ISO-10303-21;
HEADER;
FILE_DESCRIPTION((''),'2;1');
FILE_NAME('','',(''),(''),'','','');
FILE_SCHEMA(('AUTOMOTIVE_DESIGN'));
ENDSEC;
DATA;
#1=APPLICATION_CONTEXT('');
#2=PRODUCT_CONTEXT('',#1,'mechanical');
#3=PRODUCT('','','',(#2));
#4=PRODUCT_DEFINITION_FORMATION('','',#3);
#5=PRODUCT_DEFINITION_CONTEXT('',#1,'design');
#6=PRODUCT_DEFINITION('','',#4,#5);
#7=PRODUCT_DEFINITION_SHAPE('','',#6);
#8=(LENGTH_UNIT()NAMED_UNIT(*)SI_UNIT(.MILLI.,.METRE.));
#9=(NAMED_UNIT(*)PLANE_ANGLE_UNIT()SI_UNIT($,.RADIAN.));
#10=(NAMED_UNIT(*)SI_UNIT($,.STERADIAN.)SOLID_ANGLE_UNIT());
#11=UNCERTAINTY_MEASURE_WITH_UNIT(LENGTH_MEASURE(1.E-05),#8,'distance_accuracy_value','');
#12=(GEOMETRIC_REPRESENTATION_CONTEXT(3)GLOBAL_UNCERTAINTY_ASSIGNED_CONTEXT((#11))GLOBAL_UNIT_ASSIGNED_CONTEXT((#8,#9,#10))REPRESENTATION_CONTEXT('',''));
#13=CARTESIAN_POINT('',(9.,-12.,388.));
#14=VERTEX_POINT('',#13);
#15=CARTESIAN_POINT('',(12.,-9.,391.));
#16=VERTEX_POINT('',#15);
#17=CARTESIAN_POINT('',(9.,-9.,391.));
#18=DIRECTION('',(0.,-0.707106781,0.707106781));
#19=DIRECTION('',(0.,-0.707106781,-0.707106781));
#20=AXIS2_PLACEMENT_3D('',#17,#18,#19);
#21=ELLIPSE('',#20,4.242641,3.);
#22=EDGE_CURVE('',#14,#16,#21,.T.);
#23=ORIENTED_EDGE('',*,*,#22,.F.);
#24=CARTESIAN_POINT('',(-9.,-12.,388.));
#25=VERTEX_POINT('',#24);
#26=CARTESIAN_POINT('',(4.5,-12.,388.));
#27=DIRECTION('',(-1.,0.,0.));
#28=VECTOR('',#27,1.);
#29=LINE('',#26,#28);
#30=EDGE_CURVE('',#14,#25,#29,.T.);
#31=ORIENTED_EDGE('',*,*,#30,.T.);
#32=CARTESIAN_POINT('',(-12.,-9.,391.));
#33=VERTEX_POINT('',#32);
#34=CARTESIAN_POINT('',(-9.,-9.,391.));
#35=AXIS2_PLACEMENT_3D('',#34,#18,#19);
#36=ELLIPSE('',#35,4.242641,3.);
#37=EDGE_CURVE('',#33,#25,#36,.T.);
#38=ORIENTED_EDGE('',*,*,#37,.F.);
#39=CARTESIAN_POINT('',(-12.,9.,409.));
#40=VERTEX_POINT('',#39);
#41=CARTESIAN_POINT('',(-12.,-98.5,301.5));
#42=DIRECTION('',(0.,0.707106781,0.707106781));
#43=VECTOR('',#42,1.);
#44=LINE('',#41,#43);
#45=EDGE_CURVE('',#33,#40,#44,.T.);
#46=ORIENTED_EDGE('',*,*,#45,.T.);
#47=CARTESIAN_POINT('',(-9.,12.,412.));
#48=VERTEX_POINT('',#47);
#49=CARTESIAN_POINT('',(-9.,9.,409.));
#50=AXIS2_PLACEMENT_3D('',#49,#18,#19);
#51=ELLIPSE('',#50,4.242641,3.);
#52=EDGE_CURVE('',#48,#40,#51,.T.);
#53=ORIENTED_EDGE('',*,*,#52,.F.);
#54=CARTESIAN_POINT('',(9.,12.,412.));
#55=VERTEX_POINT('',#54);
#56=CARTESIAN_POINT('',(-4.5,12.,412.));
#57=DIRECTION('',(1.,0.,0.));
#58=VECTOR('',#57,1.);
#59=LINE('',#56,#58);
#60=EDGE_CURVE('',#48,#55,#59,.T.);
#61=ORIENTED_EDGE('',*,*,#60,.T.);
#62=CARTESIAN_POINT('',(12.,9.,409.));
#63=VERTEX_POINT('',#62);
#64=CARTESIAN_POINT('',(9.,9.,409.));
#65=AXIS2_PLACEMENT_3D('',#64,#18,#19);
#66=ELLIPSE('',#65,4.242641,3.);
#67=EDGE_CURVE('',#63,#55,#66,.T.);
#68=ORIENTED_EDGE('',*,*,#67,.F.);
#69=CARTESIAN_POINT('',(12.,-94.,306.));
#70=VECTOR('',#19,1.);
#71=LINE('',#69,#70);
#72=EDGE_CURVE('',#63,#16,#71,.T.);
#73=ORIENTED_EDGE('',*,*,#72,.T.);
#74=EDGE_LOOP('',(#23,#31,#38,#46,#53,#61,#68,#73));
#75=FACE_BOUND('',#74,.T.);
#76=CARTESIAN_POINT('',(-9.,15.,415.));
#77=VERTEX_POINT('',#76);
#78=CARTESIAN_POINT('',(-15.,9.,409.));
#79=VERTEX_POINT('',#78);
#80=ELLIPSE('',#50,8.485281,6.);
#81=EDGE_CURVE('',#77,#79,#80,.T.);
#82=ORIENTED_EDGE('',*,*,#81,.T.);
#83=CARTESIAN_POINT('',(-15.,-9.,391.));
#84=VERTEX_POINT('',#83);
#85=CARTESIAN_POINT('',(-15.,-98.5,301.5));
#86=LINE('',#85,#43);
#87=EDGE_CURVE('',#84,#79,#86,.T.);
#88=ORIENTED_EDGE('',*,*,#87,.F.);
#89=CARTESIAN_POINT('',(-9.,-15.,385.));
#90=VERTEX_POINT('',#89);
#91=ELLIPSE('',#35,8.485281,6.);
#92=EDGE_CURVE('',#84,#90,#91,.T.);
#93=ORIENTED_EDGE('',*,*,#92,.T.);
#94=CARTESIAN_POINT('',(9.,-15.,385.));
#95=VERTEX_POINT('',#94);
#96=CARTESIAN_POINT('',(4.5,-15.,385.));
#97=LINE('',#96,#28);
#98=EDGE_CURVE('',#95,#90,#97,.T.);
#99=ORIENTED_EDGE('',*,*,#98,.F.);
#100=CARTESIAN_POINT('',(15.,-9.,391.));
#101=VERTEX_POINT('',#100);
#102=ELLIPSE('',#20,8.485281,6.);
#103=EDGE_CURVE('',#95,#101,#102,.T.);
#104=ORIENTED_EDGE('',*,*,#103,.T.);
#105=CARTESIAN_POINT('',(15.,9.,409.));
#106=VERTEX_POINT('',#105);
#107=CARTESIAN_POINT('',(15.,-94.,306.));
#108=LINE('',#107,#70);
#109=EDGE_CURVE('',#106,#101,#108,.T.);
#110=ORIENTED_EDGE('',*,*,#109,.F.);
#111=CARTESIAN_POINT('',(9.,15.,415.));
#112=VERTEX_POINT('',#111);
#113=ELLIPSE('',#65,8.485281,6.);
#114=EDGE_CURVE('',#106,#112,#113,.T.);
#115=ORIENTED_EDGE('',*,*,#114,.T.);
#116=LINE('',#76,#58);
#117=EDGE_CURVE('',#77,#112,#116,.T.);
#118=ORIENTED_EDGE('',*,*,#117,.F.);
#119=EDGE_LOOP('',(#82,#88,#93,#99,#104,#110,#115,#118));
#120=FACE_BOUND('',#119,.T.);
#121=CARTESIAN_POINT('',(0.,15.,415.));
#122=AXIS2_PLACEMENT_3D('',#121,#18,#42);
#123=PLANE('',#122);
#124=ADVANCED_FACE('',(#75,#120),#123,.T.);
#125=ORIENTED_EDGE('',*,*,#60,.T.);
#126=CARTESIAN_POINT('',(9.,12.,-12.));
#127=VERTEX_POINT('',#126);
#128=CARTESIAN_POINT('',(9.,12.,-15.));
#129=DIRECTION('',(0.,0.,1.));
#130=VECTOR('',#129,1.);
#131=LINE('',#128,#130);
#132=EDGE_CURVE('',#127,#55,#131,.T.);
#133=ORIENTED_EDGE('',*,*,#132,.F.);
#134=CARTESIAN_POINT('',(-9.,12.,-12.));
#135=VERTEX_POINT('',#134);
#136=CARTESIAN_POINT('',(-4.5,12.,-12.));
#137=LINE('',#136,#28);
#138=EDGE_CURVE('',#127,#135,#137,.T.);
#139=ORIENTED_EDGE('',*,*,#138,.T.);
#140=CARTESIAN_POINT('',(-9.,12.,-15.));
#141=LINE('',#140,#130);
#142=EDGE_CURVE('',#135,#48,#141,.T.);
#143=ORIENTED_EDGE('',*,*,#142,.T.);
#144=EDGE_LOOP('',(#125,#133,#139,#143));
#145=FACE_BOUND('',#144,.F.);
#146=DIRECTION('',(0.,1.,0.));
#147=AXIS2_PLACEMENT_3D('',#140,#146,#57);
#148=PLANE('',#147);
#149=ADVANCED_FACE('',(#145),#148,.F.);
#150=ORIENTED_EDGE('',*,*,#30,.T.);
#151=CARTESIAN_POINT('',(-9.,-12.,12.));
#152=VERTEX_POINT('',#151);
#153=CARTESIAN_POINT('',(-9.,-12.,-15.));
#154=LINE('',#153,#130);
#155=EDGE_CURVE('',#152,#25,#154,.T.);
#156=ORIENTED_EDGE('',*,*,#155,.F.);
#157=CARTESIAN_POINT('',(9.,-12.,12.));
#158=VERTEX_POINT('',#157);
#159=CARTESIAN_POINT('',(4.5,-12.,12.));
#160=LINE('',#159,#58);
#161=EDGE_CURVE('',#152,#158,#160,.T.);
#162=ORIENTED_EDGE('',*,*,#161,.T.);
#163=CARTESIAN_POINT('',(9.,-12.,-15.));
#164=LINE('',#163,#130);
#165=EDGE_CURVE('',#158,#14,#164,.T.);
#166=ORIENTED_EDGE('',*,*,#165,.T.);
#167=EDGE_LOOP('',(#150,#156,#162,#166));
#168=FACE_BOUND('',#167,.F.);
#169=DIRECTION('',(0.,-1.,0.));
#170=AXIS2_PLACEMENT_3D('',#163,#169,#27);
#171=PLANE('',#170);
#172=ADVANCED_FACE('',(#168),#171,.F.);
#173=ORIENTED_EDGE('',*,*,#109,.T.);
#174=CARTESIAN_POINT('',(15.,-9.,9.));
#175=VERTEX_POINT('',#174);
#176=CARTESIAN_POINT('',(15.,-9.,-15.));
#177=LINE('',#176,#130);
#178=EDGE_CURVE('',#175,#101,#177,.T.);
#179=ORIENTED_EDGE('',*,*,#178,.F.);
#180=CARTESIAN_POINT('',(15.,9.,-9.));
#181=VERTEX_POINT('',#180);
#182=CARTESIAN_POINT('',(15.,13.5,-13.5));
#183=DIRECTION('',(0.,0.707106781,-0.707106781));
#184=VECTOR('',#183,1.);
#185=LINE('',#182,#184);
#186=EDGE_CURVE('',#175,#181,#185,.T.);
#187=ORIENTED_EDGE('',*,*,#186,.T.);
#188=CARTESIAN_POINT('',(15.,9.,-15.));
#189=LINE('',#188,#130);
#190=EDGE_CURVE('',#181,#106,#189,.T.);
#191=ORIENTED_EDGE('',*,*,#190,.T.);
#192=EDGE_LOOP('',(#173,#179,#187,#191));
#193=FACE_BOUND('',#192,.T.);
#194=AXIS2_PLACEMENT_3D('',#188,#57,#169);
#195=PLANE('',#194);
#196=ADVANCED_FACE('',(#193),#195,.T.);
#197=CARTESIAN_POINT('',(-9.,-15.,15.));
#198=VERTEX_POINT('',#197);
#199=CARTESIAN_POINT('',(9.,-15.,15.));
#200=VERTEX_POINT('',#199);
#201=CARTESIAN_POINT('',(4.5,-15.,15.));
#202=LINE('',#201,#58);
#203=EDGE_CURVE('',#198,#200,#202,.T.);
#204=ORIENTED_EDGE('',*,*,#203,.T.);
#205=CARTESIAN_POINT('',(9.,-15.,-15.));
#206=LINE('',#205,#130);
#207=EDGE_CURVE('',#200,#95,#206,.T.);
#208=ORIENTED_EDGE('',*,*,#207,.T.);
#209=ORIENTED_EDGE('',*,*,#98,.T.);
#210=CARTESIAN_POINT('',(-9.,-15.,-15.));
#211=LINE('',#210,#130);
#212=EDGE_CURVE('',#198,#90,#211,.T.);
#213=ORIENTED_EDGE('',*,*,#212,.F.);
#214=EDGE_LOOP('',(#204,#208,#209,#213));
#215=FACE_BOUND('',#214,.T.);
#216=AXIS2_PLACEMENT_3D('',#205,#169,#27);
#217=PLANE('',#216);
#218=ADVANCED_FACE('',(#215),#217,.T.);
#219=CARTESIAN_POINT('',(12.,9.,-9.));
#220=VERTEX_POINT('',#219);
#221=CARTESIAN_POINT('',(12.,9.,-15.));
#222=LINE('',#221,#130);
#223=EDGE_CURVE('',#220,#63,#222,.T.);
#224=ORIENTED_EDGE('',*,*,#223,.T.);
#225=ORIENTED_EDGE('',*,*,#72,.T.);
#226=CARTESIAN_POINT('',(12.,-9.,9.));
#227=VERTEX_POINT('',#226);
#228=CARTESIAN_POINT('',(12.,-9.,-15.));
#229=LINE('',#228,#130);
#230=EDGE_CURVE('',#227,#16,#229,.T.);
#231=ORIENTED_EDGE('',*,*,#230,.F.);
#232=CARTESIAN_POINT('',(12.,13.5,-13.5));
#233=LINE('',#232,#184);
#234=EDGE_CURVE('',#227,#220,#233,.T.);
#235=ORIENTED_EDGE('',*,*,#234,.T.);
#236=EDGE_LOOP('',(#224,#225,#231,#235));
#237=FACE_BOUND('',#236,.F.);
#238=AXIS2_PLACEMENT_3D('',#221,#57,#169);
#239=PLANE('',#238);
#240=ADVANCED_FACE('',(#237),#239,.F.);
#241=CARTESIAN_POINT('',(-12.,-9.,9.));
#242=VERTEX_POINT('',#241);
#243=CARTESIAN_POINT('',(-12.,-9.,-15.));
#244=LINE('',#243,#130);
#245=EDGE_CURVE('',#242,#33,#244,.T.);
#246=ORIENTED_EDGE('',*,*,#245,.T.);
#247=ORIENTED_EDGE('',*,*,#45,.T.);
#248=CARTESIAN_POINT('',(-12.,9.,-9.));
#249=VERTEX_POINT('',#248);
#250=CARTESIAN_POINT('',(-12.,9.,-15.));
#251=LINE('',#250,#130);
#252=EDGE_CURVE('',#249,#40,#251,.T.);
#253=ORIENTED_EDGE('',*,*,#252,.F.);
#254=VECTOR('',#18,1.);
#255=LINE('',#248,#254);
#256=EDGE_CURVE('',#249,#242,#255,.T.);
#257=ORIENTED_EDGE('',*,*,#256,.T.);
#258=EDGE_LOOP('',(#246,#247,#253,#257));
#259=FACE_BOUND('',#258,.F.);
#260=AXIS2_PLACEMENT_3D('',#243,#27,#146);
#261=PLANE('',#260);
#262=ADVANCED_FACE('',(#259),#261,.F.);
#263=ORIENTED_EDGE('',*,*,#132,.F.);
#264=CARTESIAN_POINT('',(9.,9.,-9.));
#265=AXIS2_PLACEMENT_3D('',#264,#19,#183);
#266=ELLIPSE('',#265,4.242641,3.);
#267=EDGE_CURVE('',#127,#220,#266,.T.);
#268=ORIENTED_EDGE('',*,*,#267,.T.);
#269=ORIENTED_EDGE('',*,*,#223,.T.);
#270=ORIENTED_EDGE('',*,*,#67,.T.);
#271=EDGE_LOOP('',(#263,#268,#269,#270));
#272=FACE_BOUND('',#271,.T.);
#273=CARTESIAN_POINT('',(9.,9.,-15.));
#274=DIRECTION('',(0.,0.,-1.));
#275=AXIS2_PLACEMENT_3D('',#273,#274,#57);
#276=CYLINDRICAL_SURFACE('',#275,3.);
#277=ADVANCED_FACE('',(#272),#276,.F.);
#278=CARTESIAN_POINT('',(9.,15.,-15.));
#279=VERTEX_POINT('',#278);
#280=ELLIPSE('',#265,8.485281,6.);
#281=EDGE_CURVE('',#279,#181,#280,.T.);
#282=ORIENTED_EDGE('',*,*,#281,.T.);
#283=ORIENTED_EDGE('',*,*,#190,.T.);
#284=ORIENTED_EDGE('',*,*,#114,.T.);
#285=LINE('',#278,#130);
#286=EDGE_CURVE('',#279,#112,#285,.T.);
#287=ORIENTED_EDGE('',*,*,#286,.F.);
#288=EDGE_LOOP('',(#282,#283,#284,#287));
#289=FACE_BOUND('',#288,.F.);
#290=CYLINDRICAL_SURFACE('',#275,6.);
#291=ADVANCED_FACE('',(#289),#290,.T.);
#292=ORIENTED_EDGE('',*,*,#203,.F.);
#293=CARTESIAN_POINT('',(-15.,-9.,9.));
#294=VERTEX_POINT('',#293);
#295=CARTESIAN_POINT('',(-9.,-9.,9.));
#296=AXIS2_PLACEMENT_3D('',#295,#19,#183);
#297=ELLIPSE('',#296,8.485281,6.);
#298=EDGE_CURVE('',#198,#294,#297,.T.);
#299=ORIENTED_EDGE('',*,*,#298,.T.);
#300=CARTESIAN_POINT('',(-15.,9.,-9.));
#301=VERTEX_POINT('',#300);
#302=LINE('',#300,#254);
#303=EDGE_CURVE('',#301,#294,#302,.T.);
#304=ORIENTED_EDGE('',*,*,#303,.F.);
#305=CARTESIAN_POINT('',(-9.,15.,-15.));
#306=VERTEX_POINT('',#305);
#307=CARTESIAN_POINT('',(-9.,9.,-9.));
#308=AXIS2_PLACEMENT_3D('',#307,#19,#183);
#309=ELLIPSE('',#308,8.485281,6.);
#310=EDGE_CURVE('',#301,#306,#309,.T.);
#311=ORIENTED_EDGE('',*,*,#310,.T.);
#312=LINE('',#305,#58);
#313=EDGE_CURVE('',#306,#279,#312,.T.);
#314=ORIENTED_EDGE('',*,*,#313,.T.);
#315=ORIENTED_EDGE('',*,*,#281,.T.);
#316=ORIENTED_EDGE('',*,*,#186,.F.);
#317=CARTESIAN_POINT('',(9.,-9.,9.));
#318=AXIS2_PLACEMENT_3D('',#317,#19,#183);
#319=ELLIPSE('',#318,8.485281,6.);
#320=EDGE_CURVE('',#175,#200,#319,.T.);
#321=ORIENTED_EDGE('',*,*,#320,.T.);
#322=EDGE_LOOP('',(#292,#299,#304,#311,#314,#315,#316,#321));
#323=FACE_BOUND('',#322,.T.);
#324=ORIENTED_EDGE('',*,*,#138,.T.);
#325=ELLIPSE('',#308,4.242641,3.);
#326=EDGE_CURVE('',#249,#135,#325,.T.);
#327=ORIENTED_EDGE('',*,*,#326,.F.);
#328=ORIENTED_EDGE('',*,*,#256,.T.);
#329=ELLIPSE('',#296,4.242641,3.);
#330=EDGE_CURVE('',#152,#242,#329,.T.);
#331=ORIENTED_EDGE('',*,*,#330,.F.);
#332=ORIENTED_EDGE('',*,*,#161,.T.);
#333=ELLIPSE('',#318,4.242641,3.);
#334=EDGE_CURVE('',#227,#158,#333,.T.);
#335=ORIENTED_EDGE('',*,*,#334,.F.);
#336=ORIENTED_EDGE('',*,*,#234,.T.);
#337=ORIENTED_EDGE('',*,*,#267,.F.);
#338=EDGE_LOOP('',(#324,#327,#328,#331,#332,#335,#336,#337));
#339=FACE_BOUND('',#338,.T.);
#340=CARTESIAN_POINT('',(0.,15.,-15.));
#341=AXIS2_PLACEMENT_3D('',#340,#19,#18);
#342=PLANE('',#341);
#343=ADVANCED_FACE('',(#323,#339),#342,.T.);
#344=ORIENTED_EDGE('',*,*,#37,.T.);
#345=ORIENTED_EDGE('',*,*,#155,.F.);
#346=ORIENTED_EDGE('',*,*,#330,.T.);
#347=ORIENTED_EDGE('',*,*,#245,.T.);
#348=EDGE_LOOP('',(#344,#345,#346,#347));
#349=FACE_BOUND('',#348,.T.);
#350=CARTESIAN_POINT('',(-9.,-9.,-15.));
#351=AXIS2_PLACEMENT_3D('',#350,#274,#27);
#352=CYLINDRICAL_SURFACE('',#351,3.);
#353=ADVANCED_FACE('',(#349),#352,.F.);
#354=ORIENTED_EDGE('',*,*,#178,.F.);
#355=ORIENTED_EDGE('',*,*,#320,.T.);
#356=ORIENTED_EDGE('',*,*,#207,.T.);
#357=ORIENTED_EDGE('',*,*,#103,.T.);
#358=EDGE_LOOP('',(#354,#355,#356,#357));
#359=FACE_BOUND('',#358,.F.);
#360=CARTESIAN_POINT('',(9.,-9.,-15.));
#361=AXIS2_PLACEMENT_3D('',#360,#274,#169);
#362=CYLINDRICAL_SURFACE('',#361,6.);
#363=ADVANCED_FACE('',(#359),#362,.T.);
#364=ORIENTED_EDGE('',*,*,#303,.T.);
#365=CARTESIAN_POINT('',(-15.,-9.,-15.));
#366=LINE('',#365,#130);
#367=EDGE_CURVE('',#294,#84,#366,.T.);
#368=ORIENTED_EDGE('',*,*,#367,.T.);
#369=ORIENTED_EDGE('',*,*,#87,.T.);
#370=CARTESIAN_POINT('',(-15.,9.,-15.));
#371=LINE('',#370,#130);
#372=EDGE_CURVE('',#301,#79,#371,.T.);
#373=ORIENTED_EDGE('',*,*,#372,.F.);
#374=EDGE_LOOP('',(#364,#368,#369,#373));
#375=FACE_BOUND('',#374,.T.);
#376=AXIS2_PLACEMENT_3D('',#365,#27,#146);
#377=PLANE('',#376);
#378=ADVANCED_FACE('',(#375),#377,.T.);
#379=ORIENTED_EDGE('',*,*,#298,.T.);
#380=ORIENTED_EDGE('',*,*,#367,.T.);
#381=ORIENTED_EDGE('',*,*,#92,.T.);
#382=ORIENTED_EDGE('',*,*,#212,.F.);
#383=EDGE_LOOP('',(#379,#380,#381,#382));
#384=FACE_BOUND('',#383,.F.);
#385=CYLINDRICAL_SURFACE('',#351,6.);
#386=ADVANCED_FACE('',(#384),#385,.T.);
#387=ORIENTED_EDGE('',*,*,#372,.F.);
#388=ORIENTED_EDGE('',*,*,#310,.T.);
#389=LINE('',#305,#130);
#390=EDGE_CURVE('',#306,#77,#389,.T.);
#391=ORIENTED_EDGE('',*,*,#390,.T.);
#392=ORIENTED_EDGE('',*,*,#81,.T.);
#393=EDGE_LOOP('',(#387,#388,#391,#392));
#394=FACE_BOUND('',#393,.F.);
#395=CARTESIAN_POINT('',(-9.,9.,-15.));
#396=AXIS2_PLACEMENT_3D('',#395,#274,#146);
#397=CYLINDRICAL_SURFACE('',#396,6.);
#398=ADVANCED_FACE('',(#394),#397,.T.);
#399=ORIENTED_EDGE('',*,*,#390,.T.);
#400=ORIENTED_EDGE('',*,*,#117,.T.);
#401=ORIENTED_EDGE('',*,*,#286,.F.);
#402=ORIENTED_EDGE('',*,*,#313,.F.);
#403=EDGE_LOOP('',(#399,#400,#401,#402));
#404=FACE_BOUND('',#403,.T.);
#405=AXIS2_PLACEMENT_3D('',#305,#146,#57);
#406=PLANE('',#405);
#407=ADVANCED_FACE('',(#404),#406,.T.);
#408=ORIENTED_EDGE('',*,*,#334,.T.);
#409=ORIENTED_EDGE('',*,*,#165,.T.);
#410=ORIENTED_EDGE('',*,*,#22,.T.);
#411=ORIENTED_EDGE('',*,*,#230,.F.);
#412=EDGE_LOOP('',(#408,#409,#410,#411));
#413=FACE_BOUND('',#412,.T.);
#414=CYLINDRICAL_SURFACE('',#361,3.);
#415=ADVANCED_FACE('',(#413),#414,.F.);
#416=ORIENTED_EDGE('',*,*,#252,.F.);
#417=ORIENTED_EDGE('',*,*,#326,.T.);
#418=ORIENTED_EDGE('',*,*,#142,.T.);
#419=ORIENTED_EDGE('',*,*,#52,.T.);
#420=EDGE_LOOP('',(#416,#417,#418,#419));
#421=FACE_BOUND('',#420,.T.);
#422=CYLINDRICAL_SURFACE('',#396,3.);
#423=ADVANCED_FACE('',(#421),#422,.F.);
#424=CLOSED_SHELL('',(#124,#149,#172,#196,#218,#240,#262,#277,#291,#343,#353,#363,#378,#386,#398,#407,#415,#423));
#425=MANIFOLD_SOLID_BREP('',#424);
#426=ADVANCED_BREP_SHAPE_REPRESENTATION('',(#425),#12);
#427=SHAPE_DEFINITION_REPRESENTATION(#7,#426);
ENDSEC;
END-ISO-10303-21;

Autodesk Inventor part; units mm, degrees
ref_plane "Start Plane" through (0, 0, -15) normal (0, 0, 1) x (1, 0, 0)
ref_plane "End Plane" through (0, 0, 415) normal (0, 0, 1) x (1, 0, 0)
sketch "Sketch" plane through (0, 0, 0) normal (0, 0, 1) x (1, 0, 0)
  line L0 (-15, -9) -> (-15, 9)
  line L1 (-9, 15) -> (9, 15)
  line L2 (15, 9) -> (15, -9)
  line L3 (9, -15) -> (-9, -15)
  arc A0 (-15, -9) -> (-9, -15) centre (-9, -9) ccw
  arc A1 (-9, 15) -> (-15, 9) centre (-9, 9) ccw
  arc A2 (15, 9) -> (9, 15) centre (9, 9) ccw
  arc A3 (9, -15) -> (15, -9) centre (9, -9) ccw
  arc A4 (-9, 12) -> (-12, 9) centre (-9, 9) ccw
  line L4 (-9, 12) -> (9, 12)
  arc A5 (12, 9) -> (9, 12) centre (9, 9) ccw
  line L5 (12, 9) -> (12, -9)
  arc A6 (9, -12) -> (12, -9) centre (9, -9) ccw
  line L6 (9, -12) -> (-9, -12)
  arc A7 (-12, -9) -> (-9, -12) centre (-9, -9) ccw
  line L7 (-12, -9) -> (-12, 9)
  line L8 (0, 22.7397) -> (0, -22.7397) construction
  line L9 (-22.7397, 0) -> (22.7397, 0) construction
  dimension "d7" = 6
  dimension "d10" = 30
  dimension "d11" = 30
  dimension "d12" = 3
  dimension "d15" = 15
  dimension "d16" = 15
extrude "Body" add sketch "Sketch" along normal up to surface (430 mm away) from surface at -15
sketch "Sketch3" plane through (0, 0, 0) normal (0, 0, 1) x (1, 0, 0)
  line L0 (0, 0) -> (10, 0)
ref_plane "Work Plane3" through (0, 0, 0) normal (0, -1, 0) x (1, 0, 0)
ref_plane "Work Plane4" through (0, 15, -15) normal (0, -0.7071, -0.7071) x (1, 0, 0)
split "Split1" plane through (0, 15, -15) removes the side toward (0, -0.7071, -0.7071)
ref_plane "Work Plane5" through (0, 15, 415) normal (0, -0.7071, 0.7071) x (1, 0, 0)
split "Split2" plane through (0, 15, 415) removes the side toward (0, -0.7071, 0.7071)
sketch "Sketch4" plane through (0, 0, 0) normal (0, -1, 0) x (1, 0, 0)
  line L0 (-2, -15) -> (12, -15) projected
  line L1 (-2, 415) -> (12, 415) projected
  dimension "d18" = 430
equation "\"d7\" = G_IR"
equation "\"d10\" = G_H"
equation "\"d11\" = G_W"
equation "\"d12\" = G_T"
equation "\"d15\" = 0.5 * d10"
equation "\"d16\" = 0.5 * d11"
equation "\"d3\" = G_L"
equation "\"G_W\" = 30"
equation "\"G_H\" = 30"
equation "\"G_T\" = 3"
equation "\"G_IR\" = 6"
equation "\"G_L\" = d18"
equation "\"G_OFFSET_START\" = 15"
equation "\"G_OFFSET_END\" = 15"
equation "\"d13\" = -G_OFFSET_START"
equation "\"d14\" = G_OFFSET_END + B_L"
equation "\"B_L\" = 400"
properties part number "DIN EN 10219-2 - 30 x 30 x 3  - 430" material "Steel, Mild"
